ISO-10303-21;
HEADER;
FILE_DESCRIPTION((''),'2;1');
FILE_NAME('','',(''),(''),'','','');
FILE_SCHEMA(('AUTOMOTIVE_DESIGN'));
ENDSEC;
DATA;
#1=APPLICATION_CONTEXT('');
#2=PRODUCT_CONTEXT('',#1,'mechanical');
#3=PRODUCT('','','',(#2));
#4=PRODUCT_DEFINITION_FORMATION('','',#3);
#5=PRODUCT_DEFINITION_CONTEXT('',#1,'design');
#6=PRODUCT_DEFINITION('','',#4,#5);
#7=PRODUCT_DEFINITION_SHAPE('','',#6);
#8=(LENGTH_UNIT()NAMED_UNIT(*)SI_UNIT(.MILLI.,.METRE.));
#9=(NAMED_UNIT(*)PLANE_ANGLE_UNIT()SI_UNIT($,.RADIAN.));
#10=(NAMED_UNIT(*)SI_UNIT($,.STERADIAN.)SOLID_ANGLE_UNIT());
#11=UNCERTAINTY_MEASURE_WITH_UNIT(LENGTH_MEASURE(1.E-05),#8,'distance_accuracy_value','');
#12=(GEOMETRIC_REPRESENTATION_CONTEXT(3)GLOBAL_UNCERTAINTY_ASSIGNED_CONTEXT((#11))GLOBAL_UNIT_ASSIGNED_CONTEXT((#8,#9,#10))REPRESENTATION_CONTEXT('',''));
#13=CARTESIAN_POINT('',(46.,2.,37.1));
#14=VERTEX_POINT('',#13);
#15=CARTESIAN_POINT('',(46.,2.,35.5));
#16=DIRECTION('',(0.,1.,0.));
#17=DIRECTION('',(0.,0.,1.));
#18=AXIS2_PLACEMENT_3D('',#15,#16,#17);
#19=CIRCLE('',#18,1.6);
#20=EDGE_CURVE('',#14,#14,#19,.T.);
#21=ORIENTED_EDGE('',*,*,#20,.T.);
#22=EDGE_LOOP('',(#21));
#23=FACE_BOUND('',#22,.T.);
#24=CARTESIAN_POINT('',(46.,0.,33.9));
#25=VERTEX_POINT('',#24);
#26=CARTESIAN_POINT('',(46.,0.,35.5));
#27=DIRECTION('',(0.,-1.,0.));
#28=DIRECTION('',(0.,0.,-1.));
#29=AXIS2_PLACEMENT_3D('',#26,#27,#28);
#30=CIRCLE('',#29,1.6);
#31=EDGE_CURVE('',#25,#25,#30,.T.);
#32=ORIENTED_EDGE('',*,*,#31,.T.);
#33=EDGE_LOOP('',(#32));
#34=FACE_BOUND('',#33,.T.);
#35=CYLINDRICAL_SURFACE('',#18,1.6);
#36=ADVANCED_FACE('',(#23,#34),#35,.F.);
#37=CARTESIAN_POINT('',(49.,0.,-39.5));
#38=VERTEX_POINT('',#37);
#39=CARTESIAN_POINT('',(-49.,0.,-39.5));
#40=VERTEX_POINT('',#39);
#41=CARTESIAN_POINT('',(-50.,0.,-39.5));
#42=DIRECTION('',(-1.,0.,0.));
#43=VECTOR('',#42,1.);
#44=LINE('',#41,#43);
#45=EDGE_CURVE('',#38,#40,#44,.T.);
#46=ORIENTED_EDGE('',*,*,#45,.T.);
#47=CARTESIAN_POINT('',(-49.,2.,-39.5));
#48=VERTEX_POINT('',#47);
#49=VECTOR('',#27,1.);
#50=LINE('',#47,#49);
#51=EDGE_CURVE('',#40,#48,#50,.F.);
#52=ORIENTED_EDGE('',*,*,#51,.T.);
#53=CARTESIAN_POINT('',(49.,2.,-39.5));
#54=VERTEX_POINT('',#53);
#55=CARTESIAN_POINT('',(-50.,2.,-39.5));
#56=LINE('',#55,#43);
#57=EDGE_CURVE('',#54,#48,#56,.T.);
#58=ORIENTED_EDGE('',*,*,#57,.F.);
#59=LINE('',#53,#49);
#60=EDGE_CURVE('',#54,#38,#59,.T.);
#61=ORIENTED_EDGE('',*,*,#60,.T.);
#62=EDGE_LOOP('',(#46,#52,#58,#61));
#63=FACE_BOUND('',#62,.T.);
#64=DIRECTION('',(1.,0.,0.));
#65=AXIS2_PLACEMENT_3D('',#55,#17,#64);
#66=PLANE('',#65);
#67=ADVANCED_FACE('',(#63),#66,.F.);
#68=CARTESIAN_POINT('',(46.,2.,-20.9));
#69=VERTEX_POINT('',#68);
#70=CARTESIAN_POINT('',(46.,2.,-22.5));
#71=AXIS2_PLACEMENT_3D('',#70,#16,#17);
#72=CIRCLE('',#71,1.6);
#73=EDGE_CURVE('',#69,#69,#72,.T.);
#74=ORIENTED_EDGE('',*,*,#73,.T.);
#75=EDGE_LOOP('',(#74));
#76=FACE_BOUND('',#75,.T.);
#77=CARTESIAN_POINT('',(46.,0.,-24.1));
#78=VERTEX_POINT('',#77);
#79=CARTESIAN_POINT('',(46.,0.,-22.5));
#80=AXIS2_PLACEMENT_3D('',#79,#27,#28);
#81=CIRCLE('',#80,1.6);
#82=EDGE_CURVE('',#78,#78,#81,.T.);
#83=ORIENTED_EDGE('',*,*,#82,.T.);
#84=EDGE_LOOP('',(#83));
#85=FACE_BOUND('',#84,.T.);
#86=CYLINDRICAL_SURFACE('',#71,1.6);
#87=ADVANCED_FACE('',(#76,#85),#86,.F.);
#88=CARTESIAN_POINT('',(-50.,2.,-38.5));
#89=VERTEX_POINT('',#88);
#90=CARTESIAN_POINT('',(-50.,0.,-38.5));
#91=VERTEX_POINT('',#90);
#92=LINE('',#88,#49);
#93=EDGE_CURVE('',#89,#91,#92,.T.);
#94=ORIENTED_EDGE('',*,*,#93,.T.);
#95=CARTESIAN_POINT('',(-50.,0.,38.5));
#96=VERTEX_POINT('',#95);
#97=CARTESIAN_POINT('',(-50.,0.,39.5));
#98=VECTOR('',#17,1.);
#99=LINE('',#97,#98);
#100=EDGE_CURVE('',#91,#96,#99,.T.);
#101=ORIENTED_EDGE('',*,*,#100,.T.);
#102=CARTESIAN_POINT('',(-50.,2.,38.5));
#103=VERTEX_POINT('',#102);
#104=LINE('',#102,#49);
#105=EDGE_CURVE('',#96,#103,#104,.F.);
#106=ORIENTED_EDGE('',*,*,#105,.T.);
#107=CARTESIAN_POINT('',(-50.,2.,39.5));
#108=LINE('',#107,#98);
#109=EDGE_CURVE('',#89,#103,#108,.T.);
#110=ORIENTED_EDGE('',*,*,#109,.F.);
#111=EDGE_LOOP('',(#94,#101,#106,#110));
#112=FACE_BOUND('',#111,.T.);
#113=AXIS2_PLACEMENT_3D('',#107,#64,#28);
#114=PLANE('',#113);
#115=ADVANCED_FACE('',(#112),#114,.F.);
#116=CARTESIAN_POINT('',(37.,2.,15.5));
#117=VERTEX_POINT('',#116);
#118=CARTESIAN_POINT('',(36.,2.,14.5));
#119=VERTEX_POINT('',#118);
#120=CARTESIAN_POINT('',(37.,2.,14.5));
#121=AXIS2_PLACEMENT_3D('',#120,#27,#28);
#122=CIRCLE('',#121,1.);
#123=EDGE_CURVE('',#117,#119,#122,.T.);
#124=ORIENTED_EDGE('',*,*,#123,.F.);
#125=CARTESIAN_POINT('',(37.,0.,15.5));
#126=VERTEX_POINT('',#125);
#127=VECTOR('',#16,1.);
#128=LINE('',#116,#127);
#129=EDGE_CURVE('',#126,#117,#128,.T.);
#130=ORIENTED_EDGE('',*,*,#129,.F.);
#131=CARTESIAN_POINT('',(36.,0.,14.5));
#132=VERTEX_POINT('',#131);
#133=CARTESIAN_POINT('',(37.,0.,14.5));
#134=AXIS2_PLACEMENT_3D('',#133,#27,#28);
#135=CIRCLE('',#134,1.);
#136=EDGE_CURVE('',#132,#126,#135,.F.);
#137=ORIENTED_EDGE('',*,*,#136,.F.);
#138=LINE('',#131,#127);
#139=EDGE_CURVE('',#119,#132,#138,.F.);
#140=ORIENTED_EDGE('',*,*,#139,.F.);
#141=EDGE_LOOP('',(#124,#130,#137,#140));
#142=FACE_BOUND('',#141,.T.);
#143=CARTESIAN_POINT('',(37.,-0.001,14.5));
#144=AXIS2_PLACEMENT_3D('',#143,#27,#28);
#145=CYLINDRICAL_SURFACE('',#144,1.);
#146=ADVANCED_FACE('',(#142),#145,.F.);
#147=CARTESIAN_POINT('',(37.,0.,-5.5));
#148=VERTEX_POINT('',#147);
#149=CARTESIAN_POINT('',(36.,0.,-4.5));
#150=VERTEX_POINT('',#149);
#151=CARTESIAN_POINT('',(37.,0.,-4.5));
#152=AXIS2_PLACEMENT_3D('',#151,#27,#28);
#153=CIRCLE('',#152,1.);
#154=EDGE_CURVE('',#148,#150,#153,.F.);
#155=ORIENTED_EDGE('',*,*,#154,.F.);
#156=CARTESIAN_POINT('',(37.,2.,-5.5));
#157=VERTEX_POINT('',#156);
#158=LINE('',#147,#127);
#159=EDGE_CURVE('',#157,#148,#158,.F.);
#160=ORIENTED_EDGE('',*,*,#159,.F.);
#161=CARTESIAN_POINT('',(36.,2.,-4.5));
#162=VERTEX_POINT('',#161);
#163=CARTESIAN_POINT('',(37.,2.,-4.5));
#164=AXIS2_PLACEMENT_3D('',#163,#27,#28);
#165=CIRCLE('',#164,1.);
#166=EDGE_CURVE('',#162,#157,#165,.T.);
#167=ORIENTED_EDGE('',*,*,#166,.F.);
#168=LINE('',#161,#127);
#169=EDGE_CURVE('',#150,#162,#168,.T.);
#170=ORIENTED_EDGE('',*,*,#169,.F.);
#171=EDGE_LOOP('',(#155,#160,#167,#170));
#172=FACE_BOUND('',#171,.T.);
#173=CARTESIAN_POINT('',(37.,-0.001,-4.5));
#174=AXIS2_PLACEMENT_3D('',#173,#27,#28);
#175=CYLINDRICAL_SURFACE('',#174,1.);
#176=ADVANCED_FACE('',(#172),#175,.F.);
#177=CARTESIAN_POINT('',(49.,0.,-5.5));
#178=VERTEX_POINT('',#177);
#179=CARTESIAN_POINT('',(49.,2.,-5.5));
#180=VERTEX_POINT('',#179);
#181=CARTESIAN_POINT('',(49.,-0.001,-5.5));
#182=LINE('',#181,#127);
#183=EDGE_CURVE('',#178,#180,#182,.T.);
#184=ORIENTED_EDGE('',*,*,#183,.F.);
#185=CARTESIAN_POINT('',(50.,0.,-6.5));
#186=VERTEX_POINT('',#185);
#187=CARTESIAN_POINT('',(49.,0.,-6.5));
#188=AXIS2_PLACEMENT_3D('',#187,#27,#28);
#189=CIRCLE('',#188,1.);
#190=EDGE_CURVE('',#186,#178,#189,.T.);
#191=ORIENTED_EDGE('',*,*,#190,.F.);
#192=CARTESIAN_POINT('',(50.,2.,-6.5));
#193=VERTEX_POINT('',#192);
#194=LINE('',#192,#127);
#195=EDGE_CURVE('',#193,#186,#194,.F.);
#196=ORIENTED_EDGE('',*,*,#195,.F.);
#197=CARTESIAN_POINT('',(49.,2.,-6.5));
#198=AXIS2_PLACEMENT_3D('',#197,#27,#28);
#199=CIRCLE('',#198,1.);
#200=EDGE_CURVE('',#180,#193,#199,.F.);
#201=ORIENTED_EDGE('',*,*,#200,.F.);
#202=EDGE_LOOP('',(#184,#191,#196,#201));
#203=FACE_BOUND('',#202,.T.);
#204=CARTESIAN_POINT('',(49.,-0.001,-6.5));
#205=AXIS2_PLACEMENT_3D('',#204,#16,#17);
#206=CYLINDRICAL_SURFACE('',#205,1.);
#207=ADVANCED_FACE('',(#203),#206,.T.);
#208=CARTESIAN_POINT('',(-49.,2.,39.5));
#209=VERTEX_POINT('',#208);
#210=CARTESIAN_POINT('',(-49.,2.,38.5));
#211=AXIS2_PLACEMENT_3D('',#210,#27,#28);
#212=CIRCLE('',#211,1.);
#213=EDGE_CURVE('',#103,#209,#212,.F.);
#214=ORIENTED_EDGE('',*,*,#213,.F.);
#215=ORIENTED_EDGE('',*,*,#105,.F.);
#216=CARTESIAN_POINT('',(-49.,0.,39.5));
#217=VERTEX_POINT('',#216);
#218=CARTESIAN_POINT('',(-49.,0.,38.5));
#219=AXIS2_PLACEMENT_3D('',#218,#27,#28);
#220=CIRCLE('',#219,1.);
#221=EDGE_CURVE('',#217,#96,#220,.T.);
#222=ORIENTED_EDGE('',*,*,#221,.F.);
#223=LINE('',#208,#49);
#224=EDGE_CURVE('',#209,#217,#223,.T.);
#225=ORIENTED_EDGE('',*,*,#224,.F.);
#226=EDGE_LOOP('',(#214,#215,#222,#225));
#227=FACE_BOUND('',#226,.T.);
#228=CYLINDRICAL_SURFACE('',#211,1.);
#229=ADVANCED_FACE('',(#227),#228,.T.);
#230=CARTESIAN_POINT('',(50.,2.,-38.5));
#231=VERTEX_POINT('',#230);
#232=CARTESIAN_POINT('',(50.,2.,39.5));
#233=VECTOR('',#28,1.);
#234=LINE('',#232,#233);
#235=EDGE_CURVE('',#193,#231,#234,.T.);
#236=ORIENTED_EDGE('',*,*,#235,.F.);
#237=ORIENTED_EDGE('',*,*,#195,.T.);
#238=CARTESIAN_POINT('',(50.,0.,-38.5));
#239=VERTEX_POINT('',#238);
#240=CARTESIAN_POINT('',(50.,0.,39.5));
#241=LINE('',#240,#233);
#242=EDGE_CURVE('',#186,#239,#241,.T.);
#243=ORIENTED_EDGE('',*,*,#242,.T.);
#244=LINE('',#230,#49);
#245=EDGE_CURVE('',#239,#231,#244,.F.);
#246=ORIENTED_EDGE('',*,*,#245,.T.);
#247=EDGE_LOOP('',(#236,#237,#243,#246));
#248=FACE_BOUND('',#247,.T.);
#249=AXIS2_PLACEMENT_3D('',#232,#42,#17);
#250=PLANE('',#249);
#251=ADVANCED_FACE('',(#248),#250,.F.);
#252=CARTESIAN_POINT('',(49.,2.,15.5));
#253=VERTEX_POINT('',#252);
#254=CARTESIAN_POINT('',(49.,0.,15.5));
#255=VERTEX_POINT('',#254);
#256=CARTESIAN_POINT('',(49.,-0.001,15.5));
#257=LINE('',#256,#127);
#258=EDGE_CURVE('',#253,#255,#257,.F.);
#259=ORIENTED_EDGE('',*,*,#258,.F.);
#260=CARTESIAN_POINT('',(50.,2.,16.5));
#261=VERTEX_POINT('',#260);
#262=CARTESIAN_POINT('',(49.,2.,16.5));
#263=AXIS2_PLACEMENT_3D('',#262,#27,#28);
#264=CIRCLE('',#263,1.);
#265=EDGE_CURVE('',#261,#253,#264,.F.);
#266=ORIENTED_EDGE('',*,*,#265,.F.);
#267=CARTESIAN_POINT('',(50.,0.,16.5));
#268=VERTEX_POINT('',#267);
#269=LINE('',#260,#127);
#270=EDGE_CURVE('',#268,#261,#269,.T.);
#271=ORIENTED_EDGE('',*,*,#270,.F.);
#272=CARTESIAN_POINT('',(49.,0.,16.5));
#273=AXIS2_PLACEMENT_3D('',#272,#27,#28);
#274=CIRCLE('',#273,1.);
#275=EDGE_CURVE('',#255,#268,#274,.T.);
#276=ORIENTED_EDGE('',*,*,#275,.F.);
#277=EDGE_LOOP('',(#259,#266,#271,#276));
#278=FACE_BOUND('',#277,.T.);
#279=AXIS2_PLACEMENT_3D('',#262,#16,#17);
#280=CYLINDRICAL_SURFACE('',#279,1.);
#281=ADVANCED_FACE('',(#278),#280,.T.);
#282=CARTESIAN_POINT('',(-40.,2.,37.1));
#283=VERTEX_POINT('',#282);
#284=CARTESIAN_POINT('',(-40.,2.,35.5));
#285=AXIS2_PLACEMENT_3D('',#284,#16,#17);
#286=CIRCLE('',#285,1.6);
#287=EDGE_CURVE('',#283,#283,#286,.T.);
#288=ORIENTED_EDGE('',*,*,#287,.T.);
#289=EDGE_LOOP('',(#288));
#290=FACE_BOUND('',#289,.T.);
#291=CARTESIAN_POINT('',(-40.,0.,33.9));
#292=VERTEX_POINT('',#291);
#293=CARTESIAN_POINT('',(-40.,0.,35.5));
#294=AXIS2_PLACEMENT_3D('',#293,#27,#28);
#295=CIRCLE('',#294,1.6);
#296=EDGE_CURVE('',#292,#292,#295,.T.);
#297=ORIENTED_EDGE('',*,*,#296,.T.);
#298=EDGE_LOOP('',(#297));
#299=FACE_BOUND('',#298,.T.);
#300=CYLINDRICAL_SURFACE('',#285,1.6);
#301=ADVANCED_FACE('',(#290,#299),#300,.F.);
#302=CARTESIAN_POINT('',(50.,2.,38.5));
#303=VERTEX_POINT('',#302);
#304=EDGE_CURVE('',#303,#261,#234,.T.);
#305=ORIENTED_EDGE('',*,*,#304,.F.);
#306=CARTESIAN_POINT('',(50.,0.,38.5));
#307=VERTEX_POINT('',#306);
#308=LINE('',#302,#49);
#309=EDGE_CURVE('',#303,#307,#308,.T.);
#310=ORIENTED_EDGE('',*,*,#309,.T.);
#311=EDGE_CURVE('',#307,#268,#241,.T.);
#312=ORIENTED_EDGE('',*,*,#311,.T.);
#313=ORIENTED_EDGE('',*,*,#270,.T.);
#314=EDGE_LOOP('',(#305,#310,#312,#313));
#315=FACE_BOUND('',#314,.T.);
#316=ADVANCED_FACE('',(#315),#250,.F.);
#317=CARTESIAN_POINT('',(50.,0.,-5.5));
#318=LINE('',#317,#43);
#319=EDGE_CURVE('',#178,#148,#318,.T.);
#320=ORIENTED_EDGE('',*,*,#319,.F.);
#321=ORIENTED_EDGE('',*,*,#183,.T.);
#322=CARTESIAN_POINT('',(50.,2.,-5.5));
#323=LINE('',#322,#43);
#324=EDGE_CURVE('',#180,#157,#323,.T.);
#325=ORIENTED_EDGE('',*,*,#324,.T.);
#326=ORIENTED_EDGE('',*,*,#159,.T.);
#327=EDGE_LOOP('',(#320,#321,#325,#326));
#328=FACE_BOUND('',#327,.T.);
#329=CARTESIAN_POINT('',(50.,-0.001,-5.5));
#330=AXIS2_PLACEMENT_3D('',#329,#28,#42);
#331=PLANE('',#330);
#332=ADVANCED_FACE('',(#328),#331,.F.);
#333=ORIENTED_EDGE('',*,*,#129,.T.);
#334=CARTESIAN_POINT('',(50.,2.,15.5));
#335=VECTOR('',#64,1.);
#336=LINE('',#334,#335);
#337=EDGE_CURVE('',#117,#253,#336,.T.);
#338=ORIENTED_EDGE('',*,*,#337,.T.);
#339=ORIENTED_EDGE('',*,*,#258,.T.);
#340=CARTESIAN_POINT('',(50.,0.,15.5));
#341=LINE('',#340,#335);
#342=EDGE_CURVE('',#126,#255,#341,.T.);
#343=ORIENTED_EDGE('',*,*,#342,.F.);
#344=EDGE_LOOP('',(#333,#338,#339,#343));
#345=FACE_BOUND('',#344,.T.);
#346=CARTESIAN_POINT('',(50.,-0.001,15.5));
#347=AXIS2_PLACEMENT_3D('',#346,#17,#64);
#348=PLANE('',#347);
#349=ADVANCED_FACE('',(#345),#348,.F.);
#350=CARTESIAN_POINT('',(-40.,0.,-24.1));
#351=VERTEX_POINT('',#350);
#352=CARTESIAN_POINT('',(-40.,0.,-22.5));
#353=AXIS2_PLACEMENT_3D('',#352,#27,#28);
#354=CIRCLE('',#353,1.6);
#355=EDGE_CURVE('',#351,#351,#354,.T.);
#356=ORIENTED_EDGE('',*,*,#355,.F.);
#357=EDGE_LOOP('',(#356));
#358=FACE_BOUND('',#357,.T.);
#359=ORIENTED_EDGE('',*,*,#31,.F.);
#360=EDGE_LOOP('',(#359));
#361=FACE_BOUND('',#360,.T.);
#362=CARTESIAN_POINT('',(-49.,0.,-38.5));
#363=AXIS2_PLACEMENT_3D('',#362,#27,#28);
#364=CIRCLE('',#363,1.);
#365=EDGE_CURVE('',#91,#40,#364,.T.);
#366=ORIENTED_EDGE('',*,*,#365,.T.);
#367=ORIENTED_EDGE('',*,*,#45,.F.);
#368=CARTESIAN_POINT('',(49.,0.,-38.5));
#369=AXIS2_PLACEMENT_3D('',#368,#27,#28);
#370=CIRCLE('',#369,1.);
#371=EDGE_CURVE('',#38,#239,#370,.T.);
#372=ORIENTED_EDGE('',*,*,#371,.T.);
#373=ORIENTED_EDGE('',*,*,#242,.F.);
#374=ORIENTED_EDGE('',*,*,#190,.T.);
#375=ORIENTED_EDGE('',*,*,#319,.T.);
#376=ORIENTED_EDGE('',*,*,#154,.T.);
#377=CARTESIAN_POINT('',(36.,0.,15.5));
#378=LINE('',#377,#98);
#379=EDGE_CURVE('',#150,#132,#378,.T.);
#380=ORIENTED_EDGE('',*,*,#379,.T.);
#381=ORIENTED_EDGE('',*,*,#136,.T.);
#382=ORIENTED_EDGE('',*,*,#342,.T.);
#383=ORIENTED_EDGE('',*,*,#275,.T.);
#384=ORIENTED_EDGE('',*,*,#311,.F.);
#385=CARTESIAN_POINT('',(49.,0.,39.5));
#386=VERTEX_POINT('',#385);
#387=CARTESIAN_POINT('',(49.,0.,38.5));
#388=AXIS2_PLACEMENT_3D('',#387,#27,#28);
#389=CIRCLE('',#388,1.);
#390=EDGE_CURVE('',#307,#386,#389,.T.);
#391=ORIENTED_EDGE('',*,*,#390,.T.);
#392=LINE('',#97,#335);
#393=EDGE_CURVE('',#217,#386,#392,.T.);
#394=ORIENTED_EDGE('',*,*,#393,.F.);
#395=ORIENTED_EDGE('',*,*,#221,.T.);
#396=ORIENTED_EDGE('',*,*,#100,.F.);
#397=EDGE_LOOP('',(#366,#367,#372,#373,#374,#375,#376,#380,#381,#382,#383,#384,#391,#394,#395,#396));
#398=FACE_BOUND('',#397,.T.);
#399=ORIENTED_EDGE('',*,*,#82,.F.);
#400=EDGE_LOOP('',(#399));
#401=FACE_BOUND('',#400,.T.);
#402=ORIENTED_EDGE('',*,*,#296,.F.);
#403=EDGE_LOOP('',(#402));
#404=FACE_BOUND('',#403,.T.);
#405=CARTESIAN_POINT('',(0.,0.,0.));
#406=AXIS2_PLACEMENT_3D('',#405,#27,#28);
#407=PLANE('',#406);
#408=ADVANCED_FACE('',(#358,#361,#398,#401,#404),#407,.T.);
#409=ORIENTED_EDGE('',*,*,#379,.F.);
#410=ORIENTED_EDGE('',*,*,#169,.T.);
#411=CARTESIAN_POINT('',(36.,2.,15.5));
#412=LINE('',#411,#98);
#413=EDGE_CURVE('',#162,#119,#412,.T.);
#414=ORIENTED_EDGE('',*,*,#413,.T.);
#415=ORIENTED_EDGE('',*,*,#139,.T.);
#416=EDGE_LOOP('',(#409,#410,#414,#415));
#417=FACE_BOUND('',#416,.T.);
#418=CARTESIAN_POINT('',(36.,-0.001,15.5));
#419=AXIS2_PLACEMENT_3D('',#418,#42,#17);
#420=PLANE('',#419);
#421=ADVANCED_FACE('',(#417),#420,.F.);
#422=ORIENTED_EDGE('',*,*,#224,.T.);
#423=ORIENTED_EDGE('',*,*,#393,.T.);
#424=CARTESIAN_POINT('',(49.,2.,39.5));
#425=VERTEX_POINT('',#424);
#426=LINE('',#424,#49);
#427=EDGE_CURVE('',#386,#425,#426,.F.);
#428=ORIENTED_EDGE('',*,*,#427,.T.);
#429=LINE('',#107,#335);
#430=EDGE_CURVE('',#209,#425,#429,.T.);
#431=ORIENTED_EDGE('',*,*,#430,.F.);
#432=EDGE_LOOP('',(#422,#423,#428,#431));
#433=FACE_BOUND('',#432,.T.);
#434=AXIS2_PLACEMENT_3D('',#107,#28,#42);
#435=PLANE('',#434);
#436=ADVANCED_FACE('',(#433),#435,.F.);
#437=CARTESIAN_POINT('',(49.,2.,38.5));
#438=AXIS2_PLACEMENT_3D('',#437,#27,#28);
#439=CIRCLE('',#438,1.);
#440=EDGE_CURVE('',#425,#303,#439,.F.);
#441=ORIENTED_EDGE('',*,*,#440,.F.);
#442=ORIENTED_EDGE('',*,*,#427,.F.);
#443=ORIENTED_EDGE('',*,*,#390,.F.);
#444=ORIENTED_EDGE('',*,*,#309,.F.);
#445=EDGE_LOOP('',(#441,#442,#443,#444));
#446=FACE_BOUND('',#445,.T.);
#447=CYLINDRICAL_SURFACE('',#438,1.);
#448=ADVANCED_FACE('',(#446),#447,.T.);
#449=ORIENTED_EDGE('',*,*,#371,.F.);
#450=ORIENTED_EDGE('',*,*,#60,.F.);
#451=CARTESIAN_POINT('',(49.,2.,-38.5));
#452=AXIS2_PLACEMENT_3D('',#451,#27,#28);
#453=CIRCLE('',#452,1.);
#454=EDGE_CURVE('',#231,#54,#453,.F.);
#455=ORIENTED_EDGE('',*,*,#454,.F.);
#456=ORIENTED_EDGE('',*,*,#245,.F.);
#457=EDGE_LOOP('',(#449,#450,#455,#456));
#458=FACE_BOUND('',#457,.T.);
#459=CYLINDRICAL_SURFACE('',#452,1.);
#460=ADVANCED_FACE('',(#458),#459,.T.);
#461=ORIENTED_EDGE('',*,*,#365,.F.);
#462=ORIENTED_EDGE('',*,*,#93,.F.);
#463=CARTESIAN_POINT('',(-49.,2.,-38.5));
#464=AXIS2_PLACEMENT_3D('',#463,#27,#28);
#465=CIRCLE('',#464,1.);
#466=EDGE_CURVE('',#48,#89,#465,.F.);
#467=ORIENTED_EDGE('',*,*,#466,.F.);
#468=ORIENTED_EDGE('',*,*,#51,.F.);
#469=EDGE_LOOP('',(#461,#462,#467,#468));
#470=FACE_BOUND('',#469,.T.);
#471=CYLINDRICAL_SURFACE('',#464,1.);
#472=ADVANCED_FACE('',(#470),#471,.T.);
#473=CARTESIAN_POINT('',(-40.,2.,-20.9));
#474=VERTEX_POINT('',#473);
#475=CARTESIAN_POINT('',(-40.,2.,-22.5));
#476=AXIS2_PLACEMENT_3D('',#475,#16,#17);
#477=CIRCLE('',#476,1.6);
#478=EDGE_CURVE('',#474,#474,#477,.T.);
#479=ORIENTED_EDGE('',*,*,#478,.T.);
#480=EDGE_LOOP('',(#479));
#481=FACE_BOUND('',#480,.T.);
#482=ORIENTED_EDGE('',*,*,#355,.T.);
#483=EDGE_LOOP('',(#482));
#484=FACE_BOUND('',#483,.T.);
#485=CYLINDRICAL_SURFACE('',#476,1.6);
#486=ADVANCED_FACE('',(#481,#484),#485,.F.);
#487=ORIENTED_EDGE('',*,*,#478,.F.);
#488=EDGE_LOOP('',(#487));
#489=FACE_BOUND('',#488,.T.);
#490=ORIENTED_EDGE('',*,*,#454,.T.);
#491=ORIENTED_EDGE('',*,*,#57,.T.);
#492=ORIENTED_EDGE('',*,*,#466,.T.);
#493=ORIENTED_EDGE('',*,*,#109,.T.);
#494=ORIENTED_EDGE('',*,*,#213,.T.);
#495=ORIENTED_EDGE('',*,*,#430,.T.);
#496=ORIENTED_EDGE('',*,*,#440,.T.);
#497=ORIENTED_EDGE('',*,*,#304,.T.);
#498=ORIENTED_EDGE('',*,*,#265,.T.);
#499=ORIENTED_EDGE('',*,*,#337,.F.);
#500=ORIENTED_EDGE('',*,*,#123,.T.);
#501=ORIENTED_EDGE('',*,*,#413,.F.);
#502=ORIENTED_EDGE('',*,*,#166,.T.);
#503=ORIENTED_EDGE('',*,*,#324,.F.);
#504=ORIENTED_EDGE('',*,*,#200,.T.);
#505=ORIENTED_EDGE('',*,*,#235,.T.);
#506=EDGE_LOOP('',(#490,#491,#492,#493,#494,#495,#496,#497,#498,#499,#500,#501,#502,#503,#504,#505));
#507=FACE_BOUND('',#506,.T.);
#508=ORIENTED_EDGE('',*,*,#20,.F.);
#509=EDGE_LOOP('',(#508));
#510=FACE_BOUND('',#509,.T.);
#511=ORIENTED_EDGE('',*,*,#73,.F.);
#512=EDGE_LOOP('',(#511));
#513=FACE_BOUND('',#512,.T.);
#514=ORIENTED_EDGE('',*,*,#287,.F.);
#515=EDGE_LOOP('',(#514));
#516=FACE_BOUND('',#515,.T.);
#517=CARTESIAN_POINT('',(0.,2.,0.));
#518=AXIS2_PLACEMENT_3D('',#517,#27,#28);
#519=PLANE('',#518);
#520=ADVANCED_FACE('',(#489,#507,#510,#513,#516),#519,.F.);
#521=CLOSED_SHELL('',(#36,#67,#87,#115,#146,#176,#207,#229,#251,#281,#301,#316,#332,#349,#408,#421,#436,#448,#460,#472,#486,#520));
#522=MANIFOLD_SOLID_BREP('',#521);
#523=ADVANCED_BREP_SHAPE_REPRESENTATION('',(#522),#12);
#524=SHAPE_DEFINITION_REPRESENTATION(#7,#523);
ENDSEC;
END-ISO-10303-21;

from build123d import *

# Parameters (mm, degrees)
SKETCH1_W            = 100
SKETCH1_H            = 79
BOSS_EXTRUDE1_DEPTH  = 2
CUT_EXTRUDE1_REACH   = 65.751
SKETCH2_W            = 14
SKETCH2_H            = 21
FILLET1_R            = 1
M3_CLEARANCE_HOLE1_D = 3.2


with BuildPart() as part:
    # Sketch1 → Boss-Extrude1 (new body)
    with BuildSketch(Plane(origin=(0, 0, 0), x_dir=(1, 0, 0), z_dir=(0, 1, 0))):
        Rectangle(SKETCH1_W, SKETCH1_H)
    extrude(amount=BOSS_EXTRUDE1_DEPTH)

    # Sketch2 → Cut-Extrude1 (cut, up to next)
    with BuildSketch(Plane(origin=(0, 2, 0), x_dir=(1, 0, 0), z_dir=(0, 1, 0)), mode=Mode.PRIVATE) as cut_extrude1_sk1:
        with Locations((43, -5)):
            Rectangle(SKETCH2_W, SKETCH2_H)
    cut_extrude1_tool1 = extrude(cut_extrude1_sk1.sketch, amount=-CUT_EXTRUDE1_REACH, mode=Mode.PRIVATE) & part.part
    add(cut_extrude1_tool1.solids().sort_by_distance((43, 2, 5))[0], mode=Mode.SUBTRACT)

    # Fillet1
    fillet1_edges = [part.edges().sort_by_distance(p)[0] for p in [
        (50, 1, -5.5),
        (50, 1, 15.5),
        (36, 1, 15.5),
        (36, 1, -5.5),
        (50, 1, 39.5),
        (-50, 1, 39.5),
        (-50, 1, -39.5),
        (50, 1, -39.5),
    ]]
    fillet(fillet1_edges, radius=FILLET1_R)

    # M3 Clearance Hole1 (through all)
    with Locations(Plane(origin=(0, 2, 0), x_dir=(1, 0, 0), z_dir=(0, 1, 0))):
        with Locations((-40, 22.5), (46, -35.5), (-40, -35.5), (46, 22.5)):
            Hole(M3_CLEARANCE_HOLE1_D / 2)


solid = part.part
